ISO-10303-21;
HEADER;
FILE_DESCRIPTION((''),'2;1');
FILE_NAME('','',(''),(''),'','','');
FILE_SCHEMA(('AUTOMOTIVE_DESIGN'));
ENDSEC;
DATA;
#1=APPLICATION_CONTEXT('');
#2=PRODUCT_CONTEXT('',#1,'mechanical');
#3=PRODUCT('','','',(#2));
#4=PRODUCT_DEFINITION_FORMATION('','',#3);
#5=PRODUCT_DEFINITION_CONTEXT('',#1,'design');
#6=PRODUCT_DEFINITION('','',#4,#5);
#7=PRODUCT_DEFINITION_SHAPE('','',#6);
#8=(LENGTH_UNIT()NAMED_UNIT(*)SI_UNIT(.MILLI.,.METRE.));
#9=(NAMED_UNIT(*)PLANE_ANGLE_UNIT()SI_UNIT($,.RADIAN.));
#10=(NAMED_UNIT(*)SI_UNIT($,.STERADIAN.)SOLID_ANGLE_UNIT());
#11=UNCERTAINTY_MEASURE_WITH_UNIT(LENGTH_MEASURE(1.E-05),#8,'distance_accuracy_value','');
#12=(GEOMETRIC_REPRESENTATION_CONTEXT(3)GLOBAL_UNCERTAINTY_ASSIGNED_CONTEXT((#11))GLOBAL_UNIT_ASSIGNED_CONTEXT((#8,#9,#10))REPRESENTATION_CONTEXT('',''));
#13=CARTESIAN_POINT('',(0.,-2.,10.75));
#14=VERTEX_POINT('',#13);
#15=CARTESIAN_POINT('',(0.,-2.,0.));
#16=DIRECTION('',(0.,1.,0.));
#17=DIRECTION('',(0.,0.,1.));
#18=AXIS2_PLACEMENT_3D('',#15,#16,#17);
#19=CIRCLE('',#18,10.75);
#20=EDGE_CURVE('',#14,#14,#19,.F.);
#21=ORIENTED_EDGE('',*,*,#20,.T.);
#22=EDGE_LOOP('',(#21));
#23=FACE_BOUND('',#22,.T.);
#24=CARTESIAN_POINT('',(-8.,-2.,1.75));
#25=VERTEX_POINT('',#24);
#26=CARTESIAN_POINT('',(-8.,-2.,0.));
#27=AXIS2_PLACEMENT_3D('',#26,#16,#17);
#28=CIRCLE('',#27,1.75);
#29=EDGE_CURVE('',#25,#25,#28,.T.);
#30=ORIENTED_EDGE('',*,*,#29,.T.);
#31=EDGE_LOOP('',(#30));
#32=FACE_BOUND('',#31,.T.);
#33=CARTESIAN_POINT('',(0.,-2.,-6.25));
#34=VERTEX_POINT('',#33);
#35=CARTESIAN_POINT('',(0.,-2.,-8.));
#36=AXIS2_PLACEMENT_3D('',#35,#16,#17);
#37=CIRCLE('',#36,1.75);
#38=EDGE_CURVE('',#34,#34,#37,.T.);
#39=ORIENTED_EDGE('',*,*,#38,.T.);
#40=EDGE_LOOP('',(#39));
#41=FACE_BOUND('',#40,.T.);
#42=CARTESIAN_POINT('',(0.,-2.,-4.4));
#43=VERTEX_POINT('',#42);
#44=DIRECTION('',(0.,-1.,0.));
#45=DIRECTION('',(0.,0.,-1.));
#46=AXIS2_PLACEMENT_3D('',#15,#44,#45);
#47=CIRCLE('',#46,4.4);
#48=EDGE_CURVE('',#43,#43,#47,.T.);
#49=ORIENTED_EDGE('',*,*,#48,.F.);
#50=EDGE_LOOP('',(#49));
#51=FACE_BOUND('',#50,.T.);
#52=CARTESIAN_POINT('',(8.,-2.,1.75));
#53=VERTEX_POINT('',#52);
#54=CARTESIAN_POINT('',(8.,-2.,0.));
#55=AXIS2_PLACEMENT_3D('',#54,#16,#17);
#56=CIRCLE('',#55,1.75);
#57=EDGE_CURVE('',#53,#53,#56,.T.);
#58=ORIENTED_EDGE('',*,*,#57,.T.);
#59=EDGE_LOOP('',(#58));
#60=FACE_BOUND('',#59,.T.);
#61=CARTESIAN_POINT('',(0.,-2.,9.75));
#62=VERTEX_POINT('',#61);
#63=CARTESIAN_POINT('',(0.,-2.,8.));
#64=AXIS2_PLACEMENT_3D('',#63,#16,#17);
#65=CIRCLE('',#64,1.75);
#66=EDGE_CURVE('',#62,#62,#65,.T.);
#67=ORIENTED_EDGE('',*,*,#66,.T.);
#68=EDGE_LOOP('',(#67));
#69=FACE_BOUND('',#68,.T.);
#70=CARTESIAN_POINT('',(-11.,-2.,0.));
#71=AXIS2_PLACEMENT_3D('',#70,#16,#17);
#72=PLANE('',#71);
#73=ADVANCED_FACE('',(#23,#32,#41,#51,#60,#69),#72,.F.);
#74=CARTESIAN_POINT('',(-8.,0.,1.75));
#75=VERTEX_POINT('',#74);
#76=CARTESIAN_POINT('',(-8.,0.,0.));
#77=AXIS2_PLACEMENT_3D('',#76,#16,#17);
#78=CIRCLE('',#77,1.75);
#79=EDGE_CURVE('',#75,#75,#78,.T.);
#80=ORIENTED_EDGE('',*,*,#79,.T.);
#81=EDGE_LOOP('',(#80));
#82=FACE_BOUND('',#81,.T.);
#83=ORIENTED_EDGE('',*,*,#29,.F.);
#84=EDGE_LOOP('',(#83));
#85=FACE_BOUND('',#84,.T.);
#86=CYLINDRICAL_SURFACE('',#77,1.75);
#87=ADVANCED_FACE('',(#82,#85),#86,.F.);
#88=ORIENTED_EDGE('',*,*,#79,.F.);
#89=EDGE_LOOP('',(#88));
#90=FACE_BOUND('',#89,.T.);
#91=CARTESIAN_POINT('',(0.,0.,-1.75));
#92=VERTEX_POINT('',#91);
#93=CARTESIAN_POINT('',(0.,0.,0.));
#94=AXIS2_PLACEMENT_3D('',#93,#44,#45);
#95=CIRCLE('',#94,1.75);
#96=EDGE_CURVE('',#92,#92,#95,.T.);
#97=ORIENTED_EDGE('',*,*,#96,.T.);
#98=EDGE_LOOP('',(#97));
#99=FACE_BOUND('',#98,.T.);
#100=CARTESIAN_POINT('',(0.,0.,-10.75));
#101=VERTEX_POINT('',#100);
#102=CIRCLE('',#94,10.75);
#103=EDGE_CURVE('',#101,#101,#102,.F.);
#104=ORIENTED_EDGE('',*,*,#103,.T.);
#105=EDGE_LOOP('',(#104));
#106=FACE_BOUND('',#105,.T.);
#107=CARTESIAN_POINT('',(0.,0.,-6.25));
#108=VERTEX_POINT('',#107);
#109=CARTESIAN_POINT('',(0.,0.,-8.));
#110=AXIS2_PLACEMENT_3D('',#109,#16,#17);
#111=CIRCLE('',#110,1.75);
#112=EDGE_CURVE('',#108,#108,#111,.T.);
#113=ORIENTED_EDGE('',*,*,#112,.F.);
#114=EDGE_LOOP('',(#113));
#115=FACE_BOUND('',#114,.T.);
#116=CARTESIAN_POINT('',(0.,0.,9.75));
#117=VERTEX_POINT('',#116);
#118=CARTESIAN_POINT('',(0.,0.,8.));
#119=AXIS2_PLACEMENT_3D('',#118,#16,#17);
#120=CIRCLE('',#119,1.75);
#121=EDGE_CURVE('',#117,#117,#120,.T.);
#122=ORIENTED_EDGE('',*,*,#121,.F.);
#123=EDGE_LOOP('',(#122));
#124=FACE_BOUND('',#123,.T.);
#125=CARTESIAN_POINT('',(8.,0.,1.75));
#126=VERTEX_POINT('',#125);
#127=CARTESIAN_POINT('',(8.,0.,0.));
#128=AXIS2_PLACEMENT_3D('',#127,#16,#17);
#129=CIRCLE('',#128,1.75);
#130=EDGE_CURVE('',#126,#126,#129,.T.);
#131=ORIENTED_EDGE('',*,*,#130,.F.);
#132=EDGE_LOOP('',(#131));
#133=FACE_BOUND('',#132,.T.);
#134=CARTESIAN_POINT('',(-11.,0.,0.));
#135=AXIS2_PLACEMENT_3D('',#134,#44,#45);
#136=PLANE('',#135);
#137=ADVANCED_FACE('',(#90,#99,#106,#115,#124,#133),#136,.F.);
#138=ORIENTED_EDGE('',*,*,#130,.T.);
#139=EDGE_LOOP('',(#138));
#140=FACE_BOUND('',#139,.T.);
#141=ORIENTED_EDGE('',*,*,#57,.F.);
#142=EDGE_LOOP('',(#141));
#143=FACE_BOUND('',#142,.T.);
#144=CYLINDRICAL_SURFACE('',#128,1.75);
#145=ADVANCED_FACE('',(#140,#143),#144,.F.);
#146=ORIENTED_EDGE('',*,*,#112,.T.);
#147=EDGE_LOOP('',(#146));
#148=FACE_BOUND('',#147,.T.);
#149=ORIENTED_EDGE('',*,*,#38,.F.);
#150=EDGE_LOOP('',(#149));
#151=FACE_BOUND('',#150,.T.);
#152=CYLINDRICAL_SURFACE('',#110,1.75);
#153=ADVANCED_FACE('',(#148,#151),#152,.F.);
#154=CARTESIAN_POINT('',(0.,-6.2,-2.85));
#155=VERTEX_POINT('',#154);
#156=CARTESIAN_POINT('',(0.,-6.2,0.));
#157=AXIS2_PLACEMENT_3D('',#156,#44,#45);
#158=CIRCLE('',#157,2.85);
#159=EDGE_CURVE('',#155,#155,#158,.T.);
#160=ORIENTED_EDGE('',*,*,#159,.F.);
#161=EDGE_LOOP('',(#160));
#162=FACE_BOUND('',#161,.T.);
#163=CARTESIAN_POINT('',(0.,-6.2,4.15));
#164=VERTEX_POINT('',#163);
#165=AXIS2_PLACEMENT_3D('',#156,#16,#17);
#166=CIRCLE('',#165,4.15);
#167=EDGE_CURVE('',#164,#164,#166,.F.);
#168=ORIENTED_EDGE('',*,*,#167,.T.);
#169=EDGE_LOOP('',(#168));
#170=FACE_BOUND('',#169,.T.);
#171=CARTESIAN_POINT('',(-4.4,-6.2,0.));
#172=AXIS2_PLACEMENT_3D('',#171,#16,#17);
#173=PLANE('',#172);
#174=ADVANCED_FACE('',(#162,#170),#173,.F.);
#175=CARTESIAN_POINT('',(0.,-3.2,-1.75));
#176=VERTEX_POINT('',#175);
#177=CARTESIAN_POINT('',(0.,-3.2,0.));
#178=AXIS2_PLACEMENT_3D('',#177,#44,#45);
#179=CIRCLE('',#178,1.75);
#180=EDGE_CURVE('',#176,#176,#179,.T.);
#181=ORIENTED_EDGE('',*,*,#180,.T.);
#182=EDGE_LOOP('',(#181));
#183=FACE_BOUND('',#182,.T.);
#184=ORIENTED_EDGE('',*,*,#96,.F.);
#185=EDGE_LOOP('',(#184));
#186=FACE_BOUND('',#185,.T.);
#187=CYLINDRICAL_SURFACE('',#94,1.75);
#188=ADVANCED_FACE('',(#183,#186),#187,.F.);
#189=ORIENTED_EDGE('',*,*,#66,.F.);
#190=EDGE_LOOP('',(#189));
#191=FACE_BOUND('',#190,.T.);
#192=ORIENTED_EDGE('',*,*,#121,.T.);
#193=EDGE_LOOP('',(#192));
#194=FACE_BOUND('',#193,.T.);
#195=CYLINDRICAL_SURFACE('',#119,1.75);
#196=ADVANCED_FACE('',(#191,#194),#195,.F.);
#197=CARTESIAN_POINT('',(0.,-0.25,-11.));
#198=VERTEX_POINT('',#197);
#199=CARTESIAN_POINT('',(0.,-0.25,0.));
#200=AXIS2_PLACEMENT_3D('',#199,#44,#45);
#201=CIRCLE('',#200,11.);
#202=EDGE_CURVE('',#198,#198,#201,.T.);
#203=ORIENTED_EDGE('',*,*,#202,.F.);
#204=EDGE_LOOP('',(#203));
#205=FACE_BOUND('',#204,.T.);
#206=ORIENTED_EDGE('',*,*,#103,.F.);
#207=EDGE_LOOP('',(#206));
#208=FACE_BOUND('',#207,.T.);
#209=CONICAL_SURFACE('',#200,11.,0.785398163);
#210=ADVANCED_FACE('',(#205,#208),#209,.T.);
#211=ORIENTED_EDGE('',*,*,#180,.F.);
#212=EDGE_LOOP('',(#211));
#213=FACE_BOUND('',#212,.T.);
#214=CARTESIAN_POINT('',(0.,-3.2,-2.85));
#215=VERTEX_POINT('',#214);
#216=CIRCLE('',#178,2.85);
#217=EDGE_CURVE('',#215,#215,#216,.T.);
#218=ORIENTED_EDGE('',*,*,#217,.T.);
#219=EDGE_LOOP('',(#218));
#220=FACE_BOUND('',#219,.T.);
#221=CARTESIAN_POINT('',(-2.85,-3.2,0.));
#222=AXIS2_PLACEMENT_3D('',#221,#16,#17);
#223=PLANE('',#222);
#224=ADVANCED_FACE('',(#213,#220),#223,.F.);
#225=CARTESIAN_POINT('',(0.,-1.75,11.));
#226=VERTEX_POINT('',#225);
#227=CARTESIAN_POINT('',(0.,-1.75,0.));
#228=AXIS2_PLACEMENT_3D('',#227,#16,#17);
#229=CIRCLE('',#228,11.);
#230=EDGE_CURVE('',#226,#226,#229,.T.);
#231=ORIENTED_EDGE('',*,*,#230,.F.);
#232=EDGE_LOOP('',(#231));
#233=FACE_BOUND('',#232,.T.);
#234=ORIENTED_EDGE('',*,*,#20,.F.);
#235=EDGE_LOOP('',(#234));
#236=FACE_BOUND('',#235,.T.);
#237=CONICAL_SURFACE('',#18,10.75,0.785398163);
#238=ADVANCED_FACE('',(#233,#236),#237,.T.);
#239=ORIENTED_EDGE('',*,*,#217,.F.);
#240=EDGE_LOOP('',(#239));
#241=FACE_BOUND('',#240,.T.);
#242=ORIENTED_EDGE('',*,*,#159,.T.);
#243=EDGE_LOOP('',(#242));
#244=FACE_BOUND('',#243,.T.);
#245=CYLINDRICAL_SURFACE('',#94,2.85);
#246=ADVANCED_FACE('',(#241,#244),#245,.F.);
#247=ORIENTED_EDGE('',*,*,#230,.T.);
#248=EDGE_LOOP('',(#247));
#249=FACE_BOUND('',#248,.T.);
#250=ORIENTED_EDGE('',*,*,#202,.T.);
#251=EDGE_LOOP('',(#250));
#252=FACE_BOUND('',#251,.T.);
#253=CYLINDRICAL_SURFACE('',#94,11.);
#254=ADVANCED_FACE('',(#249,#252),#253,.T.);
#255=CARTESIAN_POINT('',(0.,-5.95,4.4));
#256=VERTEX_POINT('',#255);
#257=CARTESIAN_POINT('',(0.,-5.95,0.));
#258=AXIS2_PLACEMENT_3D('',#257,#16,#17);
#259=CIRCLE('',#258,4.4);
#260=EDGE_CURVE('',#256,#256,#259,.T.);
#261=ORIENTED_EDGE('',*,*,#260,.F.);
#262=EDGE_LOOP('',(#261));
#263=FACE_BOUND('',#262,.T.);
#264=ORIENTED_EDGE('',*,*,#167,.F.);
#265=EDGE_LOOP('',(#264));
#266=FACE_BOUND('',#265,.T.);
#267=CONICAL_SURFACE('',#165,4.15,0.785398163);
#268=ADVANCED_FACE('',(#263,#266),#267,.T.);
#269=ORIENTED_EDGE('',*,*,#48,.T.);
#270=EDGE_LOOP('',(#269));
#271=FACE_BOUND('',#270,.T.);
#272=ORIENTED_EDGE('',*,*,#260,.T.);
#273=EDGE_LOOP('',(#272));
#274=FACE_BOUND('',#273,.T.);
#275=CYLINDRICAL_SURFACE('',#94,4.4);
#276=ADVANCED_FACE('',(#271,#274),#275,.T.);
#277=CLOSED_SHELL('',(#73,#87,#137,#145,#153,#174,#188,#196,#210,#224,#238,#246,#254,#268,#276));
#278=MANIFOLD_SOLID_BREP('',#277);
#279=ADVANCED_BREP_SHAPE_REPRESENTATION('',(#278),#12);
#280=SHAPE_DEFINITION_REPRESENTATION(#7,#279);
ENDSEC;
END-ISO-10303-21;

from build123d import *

# Parameters (mm, degrees)
F_3_5_3_5_DIAMETER_HOLE1_D = 3.5
CHAMFER1_SIZE              = 0.25


with BuildPart() as part:
    # Sketch2 → Revolve1 (revolve)
    with BuildSketch(Plane.XY):
        Polygon((-11, 0), (-1.75, 0), (-1.75, -3.2), (-2.85, -3.2), (-2.85, -6.2), (-4.4, -6.2), (-4.4, -2), (-11, -2), align=None)
    revolve(axis=Axis((0, 0, 0), (0, 1, 0)))

    # Ø3.5 (3.5) Diameter Hole1 (through all)
    with Locations(Plane(origin=(0, 0, 0), x_dir=(1, 0, 0), z_dir=(0, 1, 0))):
        with Locations((0, 8), (0, -8), (-8, 0), (8, 0)):
            Hole(F_3_5_3_5_DIAMETER_HOLE1_D / 2)

    # Chamfer1
    chamfer1_edges = [part.edges().sort_by_distance(p)[0] for p in [
        (11, 0, 0),
        (4.4, -6.2, 0),
        (11, -2, 0),
    ]]
    chamfer(chamfer1_edges, length=CHAMFER1_SIZE)


solid = part.part
